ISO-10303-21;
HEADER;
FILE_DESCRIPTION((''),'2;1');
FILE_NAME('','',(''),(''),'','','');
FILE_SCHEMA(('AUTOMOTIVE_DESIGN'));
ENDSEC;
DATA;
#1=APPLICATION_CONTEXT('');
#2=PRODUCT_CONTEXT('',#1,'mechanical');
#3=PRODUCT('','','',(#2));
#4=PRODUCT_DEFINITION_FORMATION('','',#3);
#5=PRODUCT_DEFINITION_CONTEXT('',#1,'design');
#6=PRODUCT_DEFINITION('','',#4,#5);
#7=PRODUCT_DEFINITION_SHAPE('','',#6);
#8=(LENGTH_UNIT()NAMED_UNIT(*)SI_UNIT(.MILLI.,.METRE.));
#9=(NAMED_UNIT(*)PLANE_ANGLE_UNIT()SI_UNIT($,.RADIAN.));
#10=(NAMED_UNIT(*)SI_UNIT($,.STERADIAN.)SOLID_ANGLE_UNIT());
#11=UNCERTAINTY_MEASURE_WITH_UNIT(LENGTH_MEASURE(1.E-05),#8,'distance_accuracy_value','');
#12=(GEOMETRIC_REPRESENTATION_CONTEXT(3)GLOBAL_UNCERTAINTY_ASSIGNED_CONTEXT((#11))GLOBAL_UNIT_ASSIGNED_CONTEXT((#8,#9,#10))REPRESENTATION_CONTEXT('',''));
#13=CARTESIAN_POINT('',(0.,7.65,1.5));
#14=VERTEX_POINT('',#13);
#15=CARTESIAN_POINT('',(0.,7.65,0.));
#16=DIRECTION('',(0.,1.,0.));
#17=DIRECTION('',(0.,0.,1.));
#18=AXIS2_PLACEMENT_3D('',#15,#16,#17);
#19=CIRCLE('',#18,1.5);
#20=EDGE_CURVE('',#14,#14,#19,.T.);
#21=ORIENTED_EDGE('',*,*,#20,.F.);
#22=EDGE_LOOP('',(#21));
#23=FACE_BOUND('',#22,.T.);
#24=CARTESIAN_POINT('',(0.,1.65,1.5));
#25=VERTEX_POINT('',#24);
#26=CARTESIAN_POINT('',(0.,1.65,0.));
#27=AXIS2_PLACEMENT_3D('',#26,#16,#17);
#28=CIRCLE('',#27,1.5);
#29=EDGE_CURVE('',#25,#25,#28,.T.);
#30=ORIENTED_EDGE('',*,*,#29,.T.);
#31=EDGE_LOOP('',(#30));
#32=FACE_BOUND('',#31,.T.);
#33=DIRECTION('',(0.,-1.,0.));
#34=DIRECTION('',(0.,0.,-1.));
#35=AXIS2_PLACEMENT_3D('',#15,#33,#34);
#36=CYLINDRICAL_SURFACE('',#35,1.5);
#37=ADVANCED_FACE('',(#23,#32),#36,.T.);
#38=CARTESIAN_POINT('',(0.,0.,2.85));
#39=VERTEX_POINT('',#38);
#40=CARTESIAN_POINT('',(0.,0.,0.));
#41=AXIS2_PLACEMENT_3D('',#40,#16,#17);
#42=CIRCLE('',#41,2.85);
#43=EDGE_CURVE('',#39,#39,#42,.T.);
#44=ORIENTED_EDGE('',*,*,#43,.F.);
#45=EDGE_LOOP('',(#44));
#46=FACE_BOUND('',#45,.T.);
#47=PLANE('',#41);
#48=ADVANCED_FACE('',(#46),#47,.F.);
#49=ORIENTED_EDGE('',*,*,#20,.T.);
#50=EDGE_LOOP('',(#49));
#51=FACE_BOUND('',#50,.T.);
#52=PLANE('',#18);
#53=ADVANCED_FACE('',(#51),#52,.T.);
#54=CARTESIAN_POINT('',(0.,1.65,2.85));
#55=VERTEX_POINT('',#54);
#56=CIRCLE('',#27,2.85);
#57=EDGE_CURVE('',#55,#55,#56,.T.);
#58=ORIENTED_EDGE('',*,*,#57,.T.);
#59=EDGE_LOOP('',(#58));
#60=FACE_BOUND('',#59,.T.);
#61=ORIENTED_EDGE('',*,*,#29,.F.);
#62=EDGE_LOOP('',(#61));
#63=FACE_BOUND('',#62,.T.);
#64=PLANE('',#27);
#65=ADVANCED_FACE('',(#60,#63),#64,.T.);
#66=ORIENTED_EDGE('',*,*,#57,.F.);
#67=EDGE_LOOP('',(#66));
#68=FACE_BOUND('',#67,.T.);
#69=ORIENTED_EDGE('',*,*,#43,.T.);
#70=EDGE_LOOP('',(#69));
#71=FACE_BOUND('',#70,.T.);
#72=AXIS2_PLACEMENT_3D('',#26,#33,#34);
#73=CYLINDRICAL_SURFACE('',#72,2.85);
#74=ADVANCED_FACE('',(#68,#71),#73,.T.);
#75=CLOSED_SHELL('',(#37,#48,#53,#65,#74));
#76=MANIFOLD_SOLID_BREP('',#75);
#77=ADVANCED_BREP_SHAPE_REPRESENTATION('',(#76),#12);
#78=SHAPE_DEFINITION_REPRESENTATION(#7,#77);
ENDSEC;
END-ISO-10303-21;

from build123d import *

# Parameters (mm, degrees)
SKETCH_1_R      = 2.85
EXTRUDE_1_DEPTH = 1.65
SKETCH_2_R      = 1.5
EXTRUDE_2_DEPTH = 6


with BuildPart() as part:
    # 草图1 → 凸台-拉伸1 (new body)
    with BuildSketch(Plane(origin=(0, 0, 0), x_dir=(1, 0, 0), z_dir=(0, 1, 0))):
        with Locations(Location((0, 0, 0), (0, 0, 270))):
            Circle(SKETCH_1_R)
    extrude(amount=EXTRUDE_1_DEPTH)

    # 草图2 → 凸台-拉伸2 (add)
    with BuildSketch(Plane(origin=(0, 1.65, 0), x_dir=(1, 0, 0), z_dir=(0, 1, 0))):
        with Locations(Location((0, 0, 0), (0, 0, 270))):
            Circle(SKETCH_2_R)
    extrude(amount=EXTRUDE_2_DEPTH)


solid = part.part
